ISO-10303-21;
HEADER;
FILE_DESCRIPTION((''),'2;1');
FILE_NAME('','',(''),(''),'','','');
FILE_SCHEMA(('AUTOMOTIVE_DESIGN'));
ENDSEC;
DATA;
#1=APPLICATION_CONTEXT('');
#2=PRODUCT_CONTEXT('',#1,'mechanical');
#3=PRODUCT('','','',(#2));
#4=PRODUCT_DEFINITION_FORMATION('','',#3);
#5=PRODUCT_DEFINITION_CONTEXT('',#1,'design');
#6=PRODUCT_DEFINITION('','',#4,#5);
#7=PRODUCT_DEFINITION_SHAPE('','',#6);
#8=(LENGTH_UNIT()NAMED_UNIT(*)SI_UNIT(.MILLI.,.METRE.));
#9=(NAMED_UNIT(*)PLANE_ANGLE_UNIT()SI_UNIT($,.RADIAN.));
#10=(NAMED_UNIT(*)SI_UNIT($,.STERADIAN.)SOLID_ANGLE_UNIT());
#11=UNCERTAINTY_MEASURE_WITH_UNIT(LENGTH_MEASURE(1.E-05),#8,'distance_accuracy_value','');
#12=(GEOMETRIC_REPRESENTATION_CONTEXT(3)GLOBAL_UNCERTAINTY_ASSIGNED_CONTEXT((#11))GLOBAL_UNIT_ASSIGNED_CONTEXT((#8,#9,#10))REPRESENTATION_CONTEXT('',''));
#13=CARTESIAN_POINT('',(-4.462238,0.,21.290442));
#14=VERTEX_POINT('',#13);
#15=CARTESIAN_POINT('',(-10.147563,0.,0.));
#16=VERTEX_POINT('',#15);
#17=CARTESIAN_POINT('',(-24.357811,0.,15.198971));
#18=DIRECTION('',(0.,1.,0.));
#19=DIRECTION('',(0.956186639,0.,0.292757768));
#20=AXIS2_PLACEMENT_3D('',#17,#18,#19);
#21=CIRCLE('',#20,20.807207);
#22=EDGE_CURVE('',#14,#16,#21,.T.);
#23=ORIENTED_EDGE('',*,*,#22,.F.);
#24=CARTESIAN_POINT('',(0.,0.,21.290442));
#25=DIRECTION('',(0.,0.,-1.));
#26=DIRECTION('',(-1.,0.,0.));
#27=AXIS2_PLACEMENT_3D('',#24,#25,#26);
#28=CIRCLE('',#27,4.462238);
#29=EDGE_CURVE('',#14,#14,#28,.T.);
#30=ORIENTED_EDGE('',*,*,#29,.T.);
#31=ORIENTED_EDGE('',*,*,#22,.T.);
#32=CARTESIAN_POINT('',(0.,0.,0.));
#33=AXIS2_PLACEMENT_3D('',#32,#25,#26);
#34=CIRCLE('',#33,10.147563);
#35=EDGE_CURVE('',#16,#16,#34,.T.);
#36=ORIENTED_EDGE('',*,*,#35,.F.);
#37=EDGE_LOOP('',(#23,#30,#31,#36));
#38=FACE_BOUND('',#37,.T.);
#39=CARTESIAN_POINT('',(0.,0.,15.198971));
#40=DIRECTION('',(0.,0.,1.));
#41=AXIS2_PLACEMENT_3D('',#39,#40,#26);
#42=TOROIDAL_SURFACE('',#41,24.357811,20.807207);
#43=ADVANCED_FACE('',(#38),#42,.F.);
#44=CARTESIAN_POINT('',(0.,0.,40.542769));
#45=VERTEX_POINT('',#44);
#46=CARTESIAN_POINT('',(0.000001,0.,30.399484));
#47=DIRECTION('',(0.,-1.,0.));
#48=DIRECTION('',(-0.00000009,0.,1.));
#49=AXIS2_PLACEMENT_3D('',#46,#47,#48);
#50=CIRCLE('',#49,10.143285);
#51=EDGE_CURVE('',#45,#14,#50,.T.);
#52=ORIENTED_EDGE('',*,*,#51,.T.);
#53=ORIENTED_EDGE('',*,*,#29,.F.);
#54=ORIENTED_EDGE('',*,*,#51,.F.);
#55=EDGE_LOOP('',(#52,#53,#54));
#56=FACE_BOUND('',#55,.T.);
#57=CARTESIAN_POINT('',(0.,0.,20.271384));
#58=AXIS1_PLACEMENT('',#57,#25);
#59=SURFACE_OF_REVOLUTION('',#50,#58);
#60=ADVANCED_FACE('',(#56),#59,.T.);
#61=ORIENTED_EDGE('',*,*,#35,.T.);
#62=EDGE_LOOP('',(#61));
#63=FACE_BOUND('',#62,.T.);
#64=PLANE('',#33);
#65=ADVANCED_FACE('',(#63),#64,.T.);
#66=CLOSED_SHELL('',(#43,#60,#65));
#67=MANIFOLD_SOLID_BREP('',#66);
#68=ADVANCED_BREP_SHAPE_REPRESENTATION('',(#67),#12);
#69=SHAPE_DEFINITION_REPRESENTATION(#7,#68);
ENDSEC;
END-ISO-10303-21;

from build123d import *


with BuildPart() as f1:
    # F0 (on Front) → F1 (revolve)
    with BuildSketch(Plane.XZ):
        with BuildLine():
            Line((-10.147563, 0), (0, 0))
            Line((0, 0), (0, 20.2562))
            ThreePointArc((0, 20.2562), (-2.290263, 20.518143), (-4.462238, 21.290442))
            ThreePointArc((-4.462238, 21.290442), (-4.255013, 9.83079), (-10.147563, 0))
        make_face()
        with BuildLine():
            ThreePointArc((-4.462238, 21.290442), (-2.290263, 20.518143), (0, 20.2562))
            Line((0, 20.2562), (0, 40.542769))
            ThreePointArc((0, 40.542769), (-9.881341, 32.689748), (-4.462238, 21.290442))
        make_face()
    revolve(axis=Axis((0, 0, 20.271384), (0, 0, -1)))


solid = f1.part
